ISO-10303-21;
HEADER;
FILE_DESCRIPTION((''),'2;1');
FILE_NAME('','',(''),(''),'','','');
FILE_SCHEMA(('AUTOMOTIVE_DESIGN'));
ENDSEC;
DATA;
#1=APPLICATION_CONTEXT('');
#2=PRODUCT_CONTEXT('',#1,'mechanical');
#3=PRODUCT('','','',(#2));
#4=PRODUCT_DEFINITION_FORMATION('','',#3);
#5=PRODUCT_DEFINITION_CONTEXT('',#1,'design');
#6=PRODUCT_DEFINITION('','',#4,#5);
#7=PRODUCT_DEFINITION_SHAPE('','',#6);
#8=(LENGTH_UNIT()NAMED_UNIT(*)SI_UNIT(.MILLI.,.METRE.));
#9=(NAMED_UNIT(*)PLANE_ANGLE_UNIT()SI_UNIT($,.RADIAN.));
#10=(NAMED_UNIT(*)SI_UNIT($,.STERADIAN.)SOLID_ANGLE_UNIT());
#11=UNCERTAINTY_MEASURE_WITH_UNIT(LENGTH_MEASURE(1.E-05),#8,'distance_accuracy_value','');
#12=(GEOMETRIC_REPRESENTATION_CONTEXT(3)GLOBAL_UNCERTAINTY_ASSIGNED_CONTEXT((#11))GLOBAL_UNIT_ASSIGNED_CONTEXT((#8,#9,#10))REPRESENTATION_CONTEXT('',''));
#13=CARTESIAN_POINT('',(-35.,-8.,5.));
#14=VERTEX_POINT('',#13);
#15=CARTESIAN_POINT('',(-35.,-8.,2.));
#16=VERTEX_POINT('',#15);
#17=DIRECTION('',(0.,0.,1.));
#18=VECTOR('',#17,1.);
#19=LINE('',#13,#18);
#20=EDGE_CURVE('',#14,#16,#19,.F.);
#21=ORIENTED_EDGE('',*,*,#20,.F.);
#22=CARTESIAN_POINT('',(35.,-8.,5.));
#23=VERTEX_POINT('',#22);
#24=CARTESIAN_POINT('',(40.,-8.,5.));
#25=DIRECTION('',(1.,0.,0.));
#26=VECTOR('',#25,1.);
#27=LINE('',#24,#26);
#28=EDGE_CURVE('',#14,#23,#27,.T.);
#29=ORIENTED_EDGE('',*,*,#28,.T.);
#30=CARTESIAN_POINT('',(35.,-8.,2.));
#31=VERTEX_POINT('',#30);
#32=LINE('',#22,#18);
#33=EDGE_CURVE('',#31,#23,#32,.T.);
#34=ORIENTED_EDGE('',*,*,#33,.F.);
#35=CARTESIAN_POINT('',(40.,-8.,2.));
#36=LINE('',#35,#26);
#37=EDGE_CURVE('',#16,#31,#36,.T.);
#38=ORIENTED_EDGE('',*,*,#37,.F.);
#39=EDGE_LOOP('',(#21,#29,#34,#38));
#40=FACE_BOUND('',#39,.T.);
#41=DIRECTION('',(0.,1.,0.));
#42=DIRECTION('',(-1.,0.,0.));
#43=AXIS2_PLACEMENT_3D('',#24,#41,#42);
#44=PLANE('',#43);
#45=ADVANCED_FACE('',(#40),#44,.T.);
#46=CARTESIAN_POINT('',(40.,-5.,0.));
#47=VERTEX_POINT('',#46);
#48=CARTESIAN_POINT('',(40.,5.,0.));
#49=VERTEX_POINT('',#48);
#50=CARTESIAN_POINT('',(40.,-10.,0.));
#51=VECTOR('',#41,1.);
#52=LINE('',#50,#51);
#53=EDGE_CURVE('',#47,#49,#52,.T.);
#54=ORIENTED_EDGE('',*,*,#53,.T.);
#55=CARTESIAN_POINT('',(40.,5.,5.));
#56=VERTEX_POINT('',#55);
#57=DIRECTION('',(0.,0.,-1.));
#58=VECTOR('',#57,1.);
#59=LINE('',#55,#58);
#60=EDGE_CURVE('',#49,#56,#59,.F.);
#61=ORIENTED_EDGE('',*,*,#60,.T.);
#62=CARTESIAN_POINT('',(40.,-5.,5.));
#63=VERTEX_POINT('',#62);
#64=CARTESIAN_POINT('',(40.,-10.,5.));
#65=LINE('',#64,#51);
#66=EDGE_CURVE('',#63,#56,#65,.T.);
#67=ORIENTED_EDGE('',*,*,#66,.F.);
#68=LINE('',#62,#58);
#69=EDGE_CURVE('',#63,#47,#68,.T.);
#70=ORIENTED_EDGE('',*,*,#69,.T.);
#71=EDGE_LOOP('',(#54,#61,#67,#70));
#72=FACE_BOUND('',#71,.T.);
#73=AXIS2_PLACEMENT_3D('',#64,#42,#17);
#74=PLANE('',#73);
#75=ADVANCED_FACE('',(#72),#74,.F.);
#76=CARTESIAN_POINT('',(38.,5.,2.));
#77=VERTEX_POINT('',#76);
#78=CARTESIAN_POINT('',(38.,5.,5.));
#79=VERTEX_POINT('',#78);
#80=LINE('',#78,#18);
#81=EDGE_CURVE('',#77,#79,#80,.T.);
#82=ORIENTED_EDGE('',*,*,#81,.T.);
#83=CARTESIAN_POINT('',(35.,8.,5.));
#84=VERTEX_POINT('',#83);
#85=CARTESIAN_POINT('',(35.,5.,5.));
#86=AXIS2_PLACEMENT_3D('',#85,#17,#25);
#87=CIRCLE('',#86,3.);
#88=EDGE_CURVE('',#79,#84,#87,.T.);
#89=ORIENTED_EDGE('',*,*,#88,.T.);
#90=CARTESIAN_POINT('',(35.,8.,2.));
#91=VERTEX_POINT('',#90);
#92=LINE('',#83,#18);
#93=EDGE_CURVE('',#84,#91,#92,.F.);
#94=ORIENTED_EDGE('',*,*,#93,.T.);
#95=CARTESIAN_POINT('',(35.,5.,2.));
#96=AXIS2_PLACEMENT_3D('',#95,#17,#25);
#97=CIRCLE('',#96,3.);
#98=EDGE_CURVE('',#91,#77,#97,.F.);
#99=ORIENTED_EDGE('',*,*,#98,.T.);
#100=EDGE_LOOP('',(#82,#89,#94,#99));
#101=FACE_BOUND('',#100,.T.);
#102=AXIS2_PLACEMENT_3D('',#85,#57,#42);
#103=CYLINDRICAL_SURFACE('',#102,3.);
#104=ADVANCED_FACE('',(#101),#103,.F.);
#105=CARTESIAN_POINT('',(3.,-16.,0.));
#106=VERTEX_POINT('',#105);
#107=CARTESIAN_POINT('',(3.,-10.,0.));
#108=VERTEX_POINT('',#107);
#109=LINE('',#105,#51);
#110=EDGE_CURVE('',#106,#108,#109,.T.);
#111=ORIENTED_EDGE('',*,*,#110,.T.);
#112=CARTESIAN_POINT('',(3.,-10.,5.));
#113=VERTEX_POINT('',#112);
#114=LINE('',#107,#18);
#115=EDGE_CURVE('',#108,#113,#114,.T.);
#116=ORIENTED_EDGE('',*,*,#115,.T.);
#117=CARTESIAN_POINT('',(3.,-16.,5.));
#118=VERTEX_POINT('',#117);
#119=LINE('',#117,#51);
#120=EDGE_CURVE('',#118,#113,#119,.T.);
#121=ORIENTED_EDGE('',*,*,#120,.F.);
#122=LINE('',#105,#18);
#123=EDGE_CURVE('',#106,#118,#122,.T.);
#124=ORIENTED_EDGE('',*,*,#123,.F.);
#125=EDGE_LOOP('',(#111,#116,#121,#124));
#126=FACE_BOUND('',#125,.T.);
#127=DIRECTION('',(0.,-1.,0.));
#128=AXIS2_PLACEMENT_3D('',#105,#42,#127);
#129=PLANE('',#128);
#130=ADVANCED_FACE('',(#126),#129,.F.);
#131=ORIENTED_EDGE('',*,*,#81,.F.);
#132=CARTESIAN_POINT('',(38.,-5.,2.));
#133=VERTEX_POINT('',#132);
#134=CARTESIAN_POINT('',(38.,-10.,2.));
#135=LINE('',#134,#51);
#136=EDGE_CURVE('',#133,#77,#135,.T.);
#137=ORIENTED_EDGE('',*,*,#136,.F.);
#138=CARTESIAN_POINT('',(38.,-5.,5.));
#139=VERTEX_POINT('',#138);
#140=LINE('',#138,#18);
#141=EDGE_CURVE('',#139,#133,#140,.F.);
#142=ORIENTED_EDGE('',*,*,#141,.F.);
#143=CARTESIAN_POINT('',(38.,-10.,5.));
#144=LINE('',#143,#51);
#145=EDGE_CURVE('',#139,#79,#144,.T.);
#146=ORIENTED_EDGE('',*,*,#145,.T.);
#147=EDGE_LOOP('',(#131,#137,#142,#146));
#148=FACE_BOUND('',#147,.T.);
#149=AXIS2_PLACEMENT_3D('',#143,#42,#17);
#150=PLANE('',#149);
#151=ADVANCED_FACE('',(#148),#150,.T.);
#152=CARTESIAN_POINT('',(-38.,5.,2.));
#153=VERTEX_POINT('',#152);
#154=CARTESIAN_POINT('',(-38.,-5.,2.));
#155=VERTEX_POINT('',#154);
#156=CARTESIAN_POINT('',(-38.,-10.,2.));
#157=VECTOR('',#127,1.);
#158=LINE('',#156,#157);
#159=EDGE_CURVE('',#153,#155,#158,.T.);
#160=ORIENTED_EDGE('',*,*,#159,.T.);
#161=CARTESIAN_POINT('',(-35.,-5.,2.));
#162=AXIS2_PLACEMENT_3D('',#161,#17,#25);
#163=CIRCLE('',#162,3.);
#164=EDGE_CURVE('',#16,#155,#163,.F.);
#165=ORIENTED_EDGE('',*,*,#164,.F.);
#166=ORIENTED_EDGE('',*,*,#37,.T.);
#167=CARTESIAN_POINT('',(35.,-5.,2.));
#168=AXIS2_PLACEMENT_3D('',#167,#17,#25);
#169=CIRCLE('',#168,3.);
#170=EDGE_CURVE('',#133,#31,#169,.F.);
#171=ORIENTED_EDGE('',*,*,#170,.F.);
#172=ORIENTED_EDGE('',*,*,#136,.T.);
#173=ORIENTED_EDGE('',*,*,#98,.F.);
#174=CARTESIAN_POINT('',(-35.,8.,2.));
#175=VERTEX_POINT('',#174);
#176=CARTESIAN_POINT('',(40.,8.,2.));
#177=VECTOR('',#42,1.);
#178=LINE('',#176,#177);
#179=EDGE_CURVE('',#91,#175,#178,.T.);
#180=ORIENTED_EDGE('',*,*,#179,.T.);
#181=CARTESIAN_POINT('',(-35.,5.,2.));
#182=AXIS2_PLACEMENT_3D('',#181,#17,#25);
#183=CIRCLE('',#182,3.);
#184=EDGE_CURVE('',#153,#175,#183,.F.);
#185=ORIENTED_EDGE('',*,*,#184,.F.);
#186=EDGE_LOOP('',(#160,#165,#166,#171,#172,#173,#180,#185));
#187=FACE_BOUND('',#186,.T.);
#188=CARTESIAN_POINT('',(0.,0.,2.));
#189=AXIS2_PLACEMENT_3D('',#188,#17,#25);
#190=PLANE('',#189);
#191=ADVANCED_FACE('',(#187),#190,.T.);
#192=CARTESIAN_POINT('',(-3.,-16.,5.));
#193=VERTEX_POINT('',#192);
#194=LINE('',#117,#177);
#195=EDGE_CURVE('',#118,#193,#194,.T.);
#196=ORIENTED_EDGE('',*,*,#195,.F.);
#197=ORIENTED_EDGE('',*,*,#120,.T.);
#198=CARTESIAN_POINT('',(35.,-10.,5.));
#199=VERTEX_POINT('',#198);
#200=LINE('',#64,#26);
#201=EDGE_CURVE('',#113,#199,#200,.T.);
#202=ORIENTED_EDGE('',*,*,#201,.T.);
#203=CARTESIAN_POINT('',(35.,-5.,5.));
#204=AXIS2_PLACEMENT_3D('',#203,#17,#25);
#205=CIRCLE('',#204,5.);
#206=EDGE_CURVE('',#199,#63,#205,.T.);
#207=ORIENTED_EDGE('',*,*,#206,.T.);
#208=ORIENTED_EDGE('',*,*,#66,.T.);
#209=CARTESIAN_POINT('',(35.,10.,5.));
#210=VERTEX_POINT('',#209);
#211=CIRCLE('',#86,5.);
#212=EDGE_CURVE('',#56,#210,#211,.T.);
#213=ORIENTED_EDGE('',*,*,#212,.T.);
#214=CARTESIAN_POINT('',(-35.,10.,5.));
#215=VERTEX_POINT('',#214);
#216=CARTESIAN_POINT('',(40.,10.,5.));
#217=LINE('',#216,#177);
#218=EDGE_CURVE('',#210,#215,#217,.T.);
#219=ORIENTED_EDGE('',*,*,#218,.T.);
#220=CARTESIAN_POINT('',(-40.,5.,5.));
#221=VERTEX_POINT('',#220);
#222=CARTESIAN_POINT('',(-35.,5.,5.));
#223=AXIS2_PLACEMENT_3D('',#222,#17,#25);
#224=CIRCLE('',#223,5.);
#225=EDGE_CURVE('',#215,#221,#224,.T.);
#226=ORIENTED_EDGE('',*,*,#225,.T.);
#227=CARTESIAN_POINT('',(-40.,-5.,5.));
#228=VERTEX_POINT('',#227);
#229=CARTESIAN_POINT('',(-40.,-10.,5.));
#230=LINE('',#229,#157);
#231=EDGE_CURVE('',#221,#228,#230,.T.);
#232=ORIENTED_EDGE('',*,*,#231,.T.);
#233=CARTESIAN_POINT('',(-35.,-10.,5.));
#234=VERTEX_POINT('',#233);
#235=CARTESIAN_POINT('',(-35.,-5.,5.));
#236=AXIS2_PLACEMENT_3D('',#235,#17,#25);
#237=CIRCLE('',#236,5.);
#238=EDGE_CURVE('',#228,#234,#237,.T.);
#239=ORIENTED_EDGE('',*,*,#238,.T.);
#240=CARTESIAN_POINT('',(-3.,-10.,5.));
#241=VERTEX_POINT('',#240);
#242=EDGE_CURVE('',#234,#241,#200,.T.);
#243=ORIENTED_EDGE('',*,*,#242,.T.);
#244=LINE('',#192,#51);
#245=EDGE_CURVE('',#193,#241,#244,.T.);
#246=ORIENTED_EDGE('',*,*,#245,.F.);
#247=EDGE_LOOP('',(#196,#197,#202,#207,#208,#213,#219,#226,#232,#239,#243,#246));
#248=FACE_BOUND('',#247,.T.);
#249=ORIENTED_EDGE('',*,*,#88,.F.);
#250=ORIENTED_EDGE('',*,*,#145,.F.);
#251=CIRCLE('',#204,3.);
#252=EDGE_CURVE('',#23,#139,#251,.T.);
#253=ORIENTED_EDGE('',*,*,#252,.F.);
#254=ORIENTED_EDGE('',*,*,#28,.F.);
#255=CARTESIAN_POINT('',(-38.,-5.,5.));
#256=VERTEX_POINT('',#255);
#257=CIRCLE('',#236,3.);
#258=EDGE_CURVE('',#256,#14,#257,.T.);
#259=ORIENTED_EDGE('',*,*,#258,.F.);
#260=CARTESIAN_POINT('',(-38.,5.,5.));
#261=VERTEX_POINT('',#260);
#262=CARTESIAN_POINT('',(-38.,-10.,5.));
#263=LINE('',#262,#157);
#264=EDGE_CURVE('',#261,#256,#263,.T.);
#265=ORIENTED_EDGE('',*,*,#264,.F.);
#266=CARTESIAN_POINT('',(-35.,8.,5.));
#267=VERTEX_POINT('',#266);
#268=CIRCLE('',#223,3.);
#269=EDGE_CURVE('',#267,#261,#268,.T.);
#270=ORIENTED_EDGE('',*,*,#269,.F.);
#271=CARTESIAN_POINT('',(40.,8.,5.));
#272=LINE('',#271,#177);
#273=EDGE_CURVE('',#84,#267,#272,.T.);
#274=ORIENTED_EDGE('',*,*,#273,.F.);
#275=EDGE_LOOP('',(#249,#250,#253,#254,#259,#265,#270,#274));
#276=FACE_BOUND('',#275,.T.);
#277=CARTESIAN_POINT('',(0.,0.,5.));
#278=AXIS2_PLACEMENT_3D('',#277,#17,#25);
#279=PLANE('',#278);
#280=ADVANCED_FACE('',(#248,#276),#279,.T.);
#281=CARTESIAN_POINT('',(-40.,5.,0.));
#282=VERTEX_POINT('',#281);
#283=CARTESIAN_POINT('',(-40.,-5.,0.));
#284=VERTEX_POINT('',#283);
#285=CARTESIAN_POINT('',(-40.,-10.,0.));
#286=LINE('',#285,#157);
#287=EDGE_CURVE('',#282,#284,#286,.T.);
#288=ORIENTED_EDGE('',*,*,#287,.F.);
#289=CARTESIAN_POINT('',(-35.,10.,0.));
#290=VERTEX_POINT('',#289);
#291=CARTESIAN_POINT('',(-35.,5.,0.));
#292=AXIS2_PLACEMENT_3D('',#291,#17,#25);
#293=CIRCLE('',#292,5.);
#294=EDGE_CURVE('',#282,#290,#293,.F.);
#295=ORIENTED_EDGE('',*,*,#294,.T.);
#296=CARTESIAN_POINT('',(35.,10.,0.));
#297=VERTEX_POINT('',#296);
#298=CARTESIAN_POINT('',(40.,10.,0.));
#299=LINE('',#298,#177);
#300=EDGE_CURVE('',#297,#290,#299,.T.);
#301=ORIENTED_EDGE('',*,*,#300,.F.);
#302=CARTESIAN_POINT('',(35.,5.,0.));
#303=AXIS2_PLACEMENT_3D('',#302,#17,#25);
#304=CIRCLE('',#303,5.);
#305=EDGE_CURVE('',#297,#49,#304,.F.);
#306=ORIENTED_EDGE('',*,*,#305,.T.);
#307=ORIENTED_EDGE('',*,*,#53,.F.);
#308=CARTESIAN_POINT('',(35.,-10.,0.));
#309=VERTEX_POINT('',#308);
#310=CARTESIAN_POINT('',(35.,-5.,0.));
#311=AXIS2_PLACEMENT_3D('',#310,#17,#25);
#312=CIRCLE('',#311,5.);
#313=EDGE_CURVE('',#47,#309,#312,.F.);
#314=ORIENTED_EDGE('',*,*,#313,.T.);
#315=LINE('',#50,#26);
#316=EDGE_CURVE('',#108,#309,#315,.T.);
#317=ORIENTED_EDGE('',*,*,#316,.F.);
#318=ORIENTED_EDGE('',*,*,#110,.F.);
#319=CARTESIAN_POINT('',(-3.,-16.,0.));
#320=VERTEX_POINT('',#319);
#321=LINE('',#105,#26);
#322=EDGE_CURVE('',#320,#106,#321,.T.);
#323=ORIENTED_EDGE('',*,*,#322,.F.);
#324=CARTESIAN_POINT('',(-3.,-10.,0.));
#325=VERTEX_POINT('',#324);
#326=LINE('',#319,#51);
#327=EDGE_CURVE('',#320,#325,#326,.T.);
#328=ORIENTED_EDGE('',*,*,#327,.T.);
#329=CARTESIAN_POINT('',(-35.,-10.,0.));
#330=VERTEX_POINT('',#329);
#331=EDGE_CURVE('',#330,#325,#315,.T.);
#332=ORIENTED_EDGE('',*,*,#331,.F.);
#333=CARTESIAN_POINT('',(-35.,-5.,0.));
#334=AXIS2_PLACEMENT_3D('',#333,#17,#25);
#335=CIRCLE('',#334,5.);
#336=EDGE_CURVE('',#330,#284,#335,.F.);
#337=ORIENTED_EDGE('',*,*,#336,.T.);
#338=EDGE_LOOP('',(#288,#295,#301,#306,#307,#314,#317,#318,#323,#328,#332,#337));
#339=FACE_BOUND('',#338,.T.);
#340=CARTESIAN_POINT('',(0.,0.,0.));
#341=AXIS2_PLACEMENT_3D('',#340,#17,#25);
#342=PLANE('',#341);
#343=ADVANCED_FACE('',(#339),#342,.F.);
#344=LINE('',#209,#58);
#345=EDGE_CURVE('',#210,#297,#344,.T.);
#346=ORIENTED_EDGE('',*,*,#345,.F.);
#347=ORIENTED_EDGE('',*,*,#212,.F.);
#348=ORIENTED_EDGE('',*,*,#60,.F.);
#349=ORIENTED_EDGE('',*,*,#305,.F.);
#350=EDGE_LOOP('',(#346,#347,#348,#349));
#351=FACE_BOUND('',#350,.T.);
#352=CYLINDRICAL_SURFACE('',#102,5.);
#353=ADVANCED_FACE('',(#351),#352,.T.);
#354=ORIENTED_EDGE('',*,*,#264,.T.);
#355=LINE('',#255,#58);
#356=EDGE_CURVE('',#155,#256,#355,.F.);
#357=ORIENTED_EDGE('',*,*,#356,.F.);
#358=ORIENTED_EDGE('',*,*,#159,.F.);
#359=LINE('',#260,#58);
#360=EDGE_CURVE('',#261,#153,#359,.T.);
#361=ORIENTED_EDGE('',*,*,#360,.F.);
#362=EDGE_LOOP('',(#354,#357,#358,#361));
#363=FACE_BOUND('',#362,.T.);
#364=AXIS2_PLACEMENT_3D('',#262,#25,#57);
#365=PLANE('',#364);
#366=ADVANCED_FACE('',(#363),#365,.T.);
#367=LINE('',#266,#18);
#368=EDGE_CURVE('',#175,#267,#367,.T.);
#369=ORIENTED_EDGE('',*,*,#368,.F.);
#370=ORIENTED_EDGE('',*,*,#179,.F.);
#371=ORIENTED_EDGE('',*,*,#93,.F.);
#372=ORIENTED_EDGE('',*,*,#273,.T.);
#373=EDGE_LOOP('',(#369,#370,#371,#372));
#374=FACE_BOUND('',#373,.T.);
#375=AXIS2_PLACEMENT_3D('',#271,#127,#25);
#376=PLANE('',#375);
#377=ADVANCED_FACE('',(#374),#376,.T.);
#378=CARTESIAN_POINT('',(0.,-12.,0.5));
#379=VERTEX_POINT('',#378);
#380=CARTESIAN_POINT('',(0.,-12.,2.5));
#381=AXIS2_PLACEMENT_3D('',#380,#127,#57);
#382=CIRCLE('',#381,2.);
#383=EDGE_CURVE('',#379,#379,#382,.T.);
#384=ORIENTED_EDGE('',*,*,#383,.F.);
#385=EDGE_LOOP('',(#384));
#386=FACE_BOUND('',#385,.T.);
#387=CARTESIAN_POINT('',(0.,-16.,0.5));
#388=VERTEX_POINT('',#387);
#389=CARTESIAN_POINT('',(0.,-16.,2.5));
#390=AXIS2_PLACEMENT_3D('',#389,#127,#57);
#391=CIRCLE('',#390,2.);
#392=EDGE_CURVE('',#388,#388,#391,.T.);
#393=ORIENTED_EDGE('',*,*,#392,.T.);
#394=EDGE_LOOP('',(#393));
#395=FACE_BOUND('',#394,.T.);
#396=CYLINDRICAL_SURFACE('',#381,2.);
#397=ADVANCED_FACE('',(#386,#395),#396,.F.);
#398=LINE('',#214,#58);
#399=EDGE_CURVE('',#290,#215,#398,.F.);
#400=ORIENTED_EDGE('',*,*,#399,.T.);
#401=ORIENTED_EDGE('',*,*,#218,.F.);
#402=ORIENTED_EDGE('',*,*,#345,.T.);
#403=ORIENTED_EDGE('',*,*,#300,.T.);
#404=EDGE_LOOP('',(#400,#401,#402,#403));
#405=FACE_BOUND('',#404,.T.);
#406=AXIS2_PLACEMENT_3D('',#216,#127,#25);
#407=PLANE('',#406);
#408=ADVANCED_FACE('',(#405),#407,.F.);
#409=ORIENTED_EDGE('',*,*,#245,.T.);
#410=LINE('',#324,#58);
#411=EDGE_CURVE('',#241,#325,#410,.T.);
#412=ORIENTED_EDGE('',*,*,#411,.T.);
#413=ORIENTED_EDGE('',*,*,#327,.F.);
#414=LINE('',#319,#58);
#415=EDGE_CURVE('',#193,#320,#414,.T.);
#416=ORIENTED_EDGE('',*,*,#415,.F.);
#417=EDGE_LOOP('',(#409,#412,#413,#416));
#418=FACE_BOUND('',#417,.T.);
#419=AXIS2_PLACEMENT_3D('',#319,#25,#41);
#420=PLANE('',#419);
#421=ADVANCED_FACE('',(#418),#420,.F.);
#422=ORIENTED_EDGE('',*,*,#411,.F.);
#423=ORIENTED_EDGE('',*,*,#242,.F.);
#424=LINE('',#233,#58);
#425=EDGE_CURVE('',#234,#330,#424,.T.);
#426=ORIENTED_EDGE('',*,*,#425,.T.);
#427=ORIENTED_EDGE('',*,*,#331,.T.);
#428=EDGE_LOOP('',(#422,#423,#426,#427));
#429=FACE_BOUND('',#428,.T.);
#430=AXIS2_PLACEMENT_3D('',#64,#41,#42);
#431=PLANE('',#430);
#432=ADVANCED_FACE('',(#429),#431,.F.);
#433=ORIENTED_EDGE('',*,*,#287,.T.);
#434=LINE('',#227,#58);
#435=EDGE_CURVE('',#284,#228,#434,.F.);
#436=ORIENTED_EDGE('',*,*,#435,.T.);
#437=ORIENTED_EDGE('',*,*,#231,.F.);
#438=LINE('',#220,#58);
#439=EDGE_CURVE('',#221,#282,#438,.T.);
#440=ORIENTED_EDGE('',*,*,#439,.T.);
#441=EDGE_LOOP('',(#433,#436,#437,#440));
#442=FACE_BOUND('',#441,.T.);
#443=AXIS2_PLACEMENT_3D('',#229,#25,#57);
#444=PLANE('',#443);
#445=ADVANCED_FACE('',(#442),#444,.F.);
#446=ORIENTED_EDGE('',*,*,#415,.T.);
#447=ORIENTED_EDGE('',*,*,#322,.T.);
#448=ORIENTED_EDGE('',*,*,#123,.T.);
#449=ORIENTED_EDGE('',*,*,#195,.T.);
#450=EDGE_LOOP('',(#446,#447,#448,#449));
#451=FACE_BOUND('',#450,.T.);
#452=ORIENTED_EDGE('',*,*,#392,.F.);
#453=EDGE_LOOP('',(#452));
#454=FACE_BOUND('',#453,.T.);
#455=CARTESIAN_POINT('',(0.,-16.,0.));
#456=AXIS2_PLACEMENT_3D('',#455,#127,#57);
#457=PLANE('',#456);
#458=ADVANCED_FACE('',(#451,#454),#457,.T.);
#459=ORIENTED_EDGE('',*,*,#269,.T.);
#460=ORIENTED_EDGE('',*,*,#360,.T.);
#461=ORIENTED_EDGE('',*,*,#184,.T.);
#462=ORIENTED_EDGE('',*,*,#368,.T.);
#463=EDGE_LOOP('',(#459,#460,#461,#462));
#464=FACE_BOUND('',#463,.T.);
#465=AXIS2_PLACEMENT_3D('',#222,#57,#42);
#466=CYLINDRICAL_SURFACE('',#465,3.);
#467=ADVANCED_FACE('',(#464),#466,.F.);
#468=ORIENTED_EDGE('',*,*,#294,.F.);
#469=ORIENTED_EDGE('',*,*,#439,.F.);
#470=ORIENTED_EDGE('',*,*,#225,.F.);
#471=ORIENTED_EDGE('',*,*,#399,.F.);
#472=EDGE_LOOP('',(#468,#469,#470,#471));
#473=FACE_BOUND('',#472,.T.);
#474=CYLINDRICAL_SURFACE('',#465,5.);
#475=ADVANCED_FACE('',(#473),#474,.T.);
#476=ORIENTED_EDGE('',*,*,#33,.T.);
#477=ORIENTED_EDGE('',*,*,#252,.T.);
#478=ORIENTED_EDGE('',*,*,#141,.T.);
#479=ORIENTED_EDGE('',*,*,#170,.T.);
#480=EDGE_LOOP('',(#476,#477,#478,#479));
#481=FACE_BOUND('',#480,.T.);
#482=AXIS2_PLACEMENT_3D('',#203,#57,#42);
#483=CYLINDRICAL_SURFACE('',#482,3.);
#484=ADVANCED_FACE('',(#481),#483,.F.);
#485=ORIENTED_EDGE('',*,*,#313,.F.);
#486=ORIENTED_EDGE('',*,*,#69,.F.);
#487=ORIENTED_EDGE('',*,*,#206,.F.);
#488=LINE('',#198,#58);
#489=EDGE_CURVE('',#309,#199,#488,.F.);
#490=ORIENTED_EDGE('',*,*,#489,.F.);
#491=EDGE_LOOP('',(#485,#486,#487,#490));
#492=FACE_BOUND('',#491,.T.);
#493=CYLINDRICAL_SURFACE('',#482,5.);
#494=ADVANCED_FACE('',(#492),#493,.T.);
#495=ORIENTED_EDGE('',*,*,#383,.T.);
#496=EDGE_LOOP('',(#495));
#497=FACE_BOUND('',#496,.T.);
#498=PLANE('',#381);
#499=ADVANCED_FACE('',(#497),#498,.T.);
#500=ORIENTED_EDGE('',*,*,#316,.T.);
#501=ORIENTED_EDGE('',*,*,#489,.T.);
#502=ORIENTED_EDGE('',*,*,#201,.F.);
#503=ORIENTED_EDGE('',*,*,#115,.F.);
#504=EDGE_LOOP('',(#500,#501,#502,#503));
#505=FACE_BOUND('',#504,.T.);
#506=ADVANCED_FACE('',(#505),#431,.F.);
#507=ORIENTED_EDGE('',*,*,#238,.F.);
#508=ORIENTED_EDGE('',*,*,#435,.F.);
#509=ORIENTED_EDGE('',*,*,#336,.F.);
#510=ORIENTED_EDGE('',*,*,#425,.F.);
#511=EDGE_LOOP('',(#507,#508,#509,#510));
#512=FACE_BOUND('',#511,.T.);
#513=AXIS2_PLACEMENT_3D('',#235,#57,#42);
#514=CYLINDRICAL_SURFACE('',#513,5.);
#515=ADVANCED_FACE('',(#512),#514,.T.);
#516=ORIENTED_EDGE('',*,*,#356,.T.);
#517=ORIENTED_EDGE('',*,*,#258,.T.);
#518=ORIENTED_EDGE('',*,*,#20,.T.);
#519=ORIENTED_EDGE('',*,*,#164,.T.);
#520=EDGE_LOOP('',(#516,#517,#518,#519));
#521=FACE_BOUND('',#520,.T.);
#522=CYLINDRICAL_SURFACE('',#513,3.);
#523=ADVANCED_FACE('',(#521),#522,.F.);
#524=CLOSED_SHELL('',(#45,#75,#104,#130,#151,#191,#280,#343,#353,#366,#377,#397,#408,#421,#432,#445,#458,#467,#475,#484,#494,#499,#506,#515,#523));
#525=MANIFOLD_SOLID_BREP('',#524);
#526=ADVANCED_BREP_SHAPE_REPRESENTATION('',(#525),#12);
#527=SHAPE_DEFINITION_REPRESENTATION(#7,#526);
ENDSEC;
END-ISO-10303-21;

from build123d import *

# Parameters (mm, degrees)
SKETCH1_W           = 80
SKETCH1_H           = 20
BOSS_EXTRUDE1_DEPTH = 5
FILLET1_R           = 5
SHELL1_T            = -2
SKETCH3_W           = 6
SKETCH3_H           = 5
BOSS_EXTRUDE2_DEPTH = 6
SKETCH4_R           = 2
CUT_EXTRUDE1_DEPTH  = 4


with BuildPart() as part:
    # Sketch1 → Boss-Extrude1 (new body)
    with BuildSketch(Plane.XY):
        Rectangle(SKETCH1_W, SKETCH1_H)
    extrude(amount=BOSS_EXTRUDE1_DEPTH)

    # Fillet1
    fillet1_edges = [part.edges().sort_by_distance(p)[0] for p in [
        (-40, 10, 2.5),
        (40, 10, 2.5),
        (40, -10, 2.5),
        (-40, -10, 2.5),
    ]]
    fillet(fillet1_edges, radius=FILLET1_R)

    # Shell1
    shell1_openings = [part.faces().sort_by_distance(p)[0] for p in [
        (0, 0, 5),
    ]]
    offset(amount=SHELL1_T, openings=shell1_openings, kind=Kind.INTERSECTION)

    # Sketch3 → Boss-Extrude2 (add)
    with BuildSketch(Plane.XZ.offset(10)):
        with Locations((0, 2.5)):
            Rectangle(SKETCH3_W, SKETCH3_H)
    extrude(amount=BOSS_EXTRUDE2_DEPTH)

    # Sketch4 → Cut-Extrude1 (cut)
    with BuildSketch(Plane.XZ.offset(16)):
        with Locations((0, 2.5)):
            Circle(SKETCH4_R)
    extrude(amount=-CUT_EXTRUDE1_DEPTH, mode=Mode.SUBTRACT)


solid = part.part
